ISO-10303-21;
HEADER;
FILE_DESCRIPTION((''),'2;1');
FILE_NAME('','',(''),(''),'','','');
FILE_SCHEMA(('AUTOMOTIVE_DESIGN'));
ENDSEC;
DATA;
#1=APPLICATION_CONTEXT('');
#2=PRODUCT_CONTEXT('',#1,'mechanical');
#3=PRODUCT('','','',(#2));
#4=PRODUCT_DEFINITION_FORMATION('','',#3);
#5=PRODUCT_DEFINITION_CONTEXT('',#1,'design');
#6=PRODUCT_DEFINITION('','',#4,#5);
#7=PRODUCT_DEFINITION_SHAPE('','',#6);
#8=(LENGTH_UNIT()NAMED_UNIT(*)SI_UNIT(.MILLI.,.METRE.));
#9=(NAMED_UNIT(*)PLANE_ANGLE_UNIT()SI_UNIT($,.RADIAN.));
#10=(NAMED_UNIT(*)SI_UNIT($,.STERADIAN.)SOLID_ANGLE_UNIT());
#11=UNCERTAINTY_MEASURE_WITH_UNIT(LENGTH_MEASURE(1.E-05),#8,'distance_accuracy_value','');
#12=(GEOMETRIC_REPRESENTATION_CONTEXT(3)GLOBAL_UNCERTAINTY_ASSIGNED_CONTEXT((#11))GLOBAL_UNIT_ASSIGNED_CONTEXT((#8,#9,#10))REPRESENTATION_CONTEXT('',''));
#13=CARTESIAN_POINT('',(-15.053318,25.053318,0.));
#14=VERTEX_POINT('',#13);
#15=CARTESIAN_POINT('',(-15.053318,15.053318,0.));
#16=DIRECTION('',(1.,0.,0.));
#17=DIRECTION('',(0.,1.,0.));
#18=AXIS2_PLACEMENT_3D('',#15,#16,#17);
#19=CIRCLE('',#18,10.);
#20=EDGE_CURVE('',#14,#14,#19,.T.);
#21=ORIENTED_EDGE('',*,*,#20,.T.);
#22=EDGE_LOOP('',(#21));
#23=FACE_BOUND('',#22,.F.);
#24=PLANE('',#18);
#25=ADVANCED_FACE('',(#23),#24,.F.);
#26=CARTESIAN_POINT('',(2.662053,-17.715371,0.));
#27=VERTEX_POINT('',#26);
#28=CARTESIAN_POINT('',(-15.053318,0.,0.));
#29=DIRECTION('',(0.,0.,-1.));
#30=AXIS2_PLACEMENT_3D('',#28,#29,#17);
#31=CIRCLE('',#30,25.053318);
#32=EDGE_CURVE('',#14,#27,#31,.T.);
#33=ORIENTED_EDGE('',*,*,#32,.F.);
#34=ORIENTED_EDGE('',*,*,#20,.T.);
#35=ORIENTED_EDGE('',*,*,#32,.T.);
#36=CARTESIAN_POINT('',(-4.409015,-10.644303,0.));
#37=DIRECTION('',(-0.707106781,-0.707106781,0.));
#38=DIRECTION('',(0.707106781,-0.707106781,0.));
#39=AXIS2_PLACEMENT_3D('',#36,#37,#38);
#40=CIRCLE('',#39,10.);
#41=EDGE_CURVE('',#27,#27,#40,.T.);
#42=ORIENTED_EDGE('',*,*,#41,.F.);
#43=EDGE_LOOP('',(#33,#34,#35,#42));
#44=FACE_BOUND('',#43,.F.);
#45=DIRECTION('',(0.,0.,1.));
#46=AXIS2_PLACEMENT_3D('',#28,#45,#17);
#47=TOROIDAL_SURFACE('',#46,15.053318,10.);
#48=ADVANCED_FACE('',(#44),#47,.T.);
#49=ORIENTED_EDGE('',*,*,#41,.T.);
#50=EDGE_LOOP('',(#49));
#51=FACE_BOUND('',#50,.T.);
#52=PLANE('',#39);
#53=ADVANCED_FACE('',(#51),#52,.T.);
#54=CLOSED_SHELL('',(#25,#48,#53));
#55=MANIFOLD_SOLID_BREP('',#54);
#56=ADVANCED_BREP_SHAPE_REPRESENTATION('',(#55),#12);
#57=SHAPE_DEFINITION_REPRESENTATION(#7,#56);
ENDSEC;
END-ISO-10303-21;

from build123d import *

# Parameters (mm, degrees)
F0_R          = 10
F2_ANGLE_BACK = 90
F2_ANGLE      = 135


with BuildPart() as f2:
    # F0 (on Front) → F2 (revolve)
    with BuildSketch(Plane.XZ, mode=Mode.PRIVATE) as f2_sk:
        Circle(F0_R)
    revolve(f2_sk.sketch.rotate(Axis((-15.0533178821, 0, 0.8708531968), (0, 0, -1)), -F2_ANGLE_BACK), axis=Axis((-15.0533178821, 0, 0.8708531968), (0, 0, -1)), revolution_arc=F2_ANGLE)


solid = f2.part
